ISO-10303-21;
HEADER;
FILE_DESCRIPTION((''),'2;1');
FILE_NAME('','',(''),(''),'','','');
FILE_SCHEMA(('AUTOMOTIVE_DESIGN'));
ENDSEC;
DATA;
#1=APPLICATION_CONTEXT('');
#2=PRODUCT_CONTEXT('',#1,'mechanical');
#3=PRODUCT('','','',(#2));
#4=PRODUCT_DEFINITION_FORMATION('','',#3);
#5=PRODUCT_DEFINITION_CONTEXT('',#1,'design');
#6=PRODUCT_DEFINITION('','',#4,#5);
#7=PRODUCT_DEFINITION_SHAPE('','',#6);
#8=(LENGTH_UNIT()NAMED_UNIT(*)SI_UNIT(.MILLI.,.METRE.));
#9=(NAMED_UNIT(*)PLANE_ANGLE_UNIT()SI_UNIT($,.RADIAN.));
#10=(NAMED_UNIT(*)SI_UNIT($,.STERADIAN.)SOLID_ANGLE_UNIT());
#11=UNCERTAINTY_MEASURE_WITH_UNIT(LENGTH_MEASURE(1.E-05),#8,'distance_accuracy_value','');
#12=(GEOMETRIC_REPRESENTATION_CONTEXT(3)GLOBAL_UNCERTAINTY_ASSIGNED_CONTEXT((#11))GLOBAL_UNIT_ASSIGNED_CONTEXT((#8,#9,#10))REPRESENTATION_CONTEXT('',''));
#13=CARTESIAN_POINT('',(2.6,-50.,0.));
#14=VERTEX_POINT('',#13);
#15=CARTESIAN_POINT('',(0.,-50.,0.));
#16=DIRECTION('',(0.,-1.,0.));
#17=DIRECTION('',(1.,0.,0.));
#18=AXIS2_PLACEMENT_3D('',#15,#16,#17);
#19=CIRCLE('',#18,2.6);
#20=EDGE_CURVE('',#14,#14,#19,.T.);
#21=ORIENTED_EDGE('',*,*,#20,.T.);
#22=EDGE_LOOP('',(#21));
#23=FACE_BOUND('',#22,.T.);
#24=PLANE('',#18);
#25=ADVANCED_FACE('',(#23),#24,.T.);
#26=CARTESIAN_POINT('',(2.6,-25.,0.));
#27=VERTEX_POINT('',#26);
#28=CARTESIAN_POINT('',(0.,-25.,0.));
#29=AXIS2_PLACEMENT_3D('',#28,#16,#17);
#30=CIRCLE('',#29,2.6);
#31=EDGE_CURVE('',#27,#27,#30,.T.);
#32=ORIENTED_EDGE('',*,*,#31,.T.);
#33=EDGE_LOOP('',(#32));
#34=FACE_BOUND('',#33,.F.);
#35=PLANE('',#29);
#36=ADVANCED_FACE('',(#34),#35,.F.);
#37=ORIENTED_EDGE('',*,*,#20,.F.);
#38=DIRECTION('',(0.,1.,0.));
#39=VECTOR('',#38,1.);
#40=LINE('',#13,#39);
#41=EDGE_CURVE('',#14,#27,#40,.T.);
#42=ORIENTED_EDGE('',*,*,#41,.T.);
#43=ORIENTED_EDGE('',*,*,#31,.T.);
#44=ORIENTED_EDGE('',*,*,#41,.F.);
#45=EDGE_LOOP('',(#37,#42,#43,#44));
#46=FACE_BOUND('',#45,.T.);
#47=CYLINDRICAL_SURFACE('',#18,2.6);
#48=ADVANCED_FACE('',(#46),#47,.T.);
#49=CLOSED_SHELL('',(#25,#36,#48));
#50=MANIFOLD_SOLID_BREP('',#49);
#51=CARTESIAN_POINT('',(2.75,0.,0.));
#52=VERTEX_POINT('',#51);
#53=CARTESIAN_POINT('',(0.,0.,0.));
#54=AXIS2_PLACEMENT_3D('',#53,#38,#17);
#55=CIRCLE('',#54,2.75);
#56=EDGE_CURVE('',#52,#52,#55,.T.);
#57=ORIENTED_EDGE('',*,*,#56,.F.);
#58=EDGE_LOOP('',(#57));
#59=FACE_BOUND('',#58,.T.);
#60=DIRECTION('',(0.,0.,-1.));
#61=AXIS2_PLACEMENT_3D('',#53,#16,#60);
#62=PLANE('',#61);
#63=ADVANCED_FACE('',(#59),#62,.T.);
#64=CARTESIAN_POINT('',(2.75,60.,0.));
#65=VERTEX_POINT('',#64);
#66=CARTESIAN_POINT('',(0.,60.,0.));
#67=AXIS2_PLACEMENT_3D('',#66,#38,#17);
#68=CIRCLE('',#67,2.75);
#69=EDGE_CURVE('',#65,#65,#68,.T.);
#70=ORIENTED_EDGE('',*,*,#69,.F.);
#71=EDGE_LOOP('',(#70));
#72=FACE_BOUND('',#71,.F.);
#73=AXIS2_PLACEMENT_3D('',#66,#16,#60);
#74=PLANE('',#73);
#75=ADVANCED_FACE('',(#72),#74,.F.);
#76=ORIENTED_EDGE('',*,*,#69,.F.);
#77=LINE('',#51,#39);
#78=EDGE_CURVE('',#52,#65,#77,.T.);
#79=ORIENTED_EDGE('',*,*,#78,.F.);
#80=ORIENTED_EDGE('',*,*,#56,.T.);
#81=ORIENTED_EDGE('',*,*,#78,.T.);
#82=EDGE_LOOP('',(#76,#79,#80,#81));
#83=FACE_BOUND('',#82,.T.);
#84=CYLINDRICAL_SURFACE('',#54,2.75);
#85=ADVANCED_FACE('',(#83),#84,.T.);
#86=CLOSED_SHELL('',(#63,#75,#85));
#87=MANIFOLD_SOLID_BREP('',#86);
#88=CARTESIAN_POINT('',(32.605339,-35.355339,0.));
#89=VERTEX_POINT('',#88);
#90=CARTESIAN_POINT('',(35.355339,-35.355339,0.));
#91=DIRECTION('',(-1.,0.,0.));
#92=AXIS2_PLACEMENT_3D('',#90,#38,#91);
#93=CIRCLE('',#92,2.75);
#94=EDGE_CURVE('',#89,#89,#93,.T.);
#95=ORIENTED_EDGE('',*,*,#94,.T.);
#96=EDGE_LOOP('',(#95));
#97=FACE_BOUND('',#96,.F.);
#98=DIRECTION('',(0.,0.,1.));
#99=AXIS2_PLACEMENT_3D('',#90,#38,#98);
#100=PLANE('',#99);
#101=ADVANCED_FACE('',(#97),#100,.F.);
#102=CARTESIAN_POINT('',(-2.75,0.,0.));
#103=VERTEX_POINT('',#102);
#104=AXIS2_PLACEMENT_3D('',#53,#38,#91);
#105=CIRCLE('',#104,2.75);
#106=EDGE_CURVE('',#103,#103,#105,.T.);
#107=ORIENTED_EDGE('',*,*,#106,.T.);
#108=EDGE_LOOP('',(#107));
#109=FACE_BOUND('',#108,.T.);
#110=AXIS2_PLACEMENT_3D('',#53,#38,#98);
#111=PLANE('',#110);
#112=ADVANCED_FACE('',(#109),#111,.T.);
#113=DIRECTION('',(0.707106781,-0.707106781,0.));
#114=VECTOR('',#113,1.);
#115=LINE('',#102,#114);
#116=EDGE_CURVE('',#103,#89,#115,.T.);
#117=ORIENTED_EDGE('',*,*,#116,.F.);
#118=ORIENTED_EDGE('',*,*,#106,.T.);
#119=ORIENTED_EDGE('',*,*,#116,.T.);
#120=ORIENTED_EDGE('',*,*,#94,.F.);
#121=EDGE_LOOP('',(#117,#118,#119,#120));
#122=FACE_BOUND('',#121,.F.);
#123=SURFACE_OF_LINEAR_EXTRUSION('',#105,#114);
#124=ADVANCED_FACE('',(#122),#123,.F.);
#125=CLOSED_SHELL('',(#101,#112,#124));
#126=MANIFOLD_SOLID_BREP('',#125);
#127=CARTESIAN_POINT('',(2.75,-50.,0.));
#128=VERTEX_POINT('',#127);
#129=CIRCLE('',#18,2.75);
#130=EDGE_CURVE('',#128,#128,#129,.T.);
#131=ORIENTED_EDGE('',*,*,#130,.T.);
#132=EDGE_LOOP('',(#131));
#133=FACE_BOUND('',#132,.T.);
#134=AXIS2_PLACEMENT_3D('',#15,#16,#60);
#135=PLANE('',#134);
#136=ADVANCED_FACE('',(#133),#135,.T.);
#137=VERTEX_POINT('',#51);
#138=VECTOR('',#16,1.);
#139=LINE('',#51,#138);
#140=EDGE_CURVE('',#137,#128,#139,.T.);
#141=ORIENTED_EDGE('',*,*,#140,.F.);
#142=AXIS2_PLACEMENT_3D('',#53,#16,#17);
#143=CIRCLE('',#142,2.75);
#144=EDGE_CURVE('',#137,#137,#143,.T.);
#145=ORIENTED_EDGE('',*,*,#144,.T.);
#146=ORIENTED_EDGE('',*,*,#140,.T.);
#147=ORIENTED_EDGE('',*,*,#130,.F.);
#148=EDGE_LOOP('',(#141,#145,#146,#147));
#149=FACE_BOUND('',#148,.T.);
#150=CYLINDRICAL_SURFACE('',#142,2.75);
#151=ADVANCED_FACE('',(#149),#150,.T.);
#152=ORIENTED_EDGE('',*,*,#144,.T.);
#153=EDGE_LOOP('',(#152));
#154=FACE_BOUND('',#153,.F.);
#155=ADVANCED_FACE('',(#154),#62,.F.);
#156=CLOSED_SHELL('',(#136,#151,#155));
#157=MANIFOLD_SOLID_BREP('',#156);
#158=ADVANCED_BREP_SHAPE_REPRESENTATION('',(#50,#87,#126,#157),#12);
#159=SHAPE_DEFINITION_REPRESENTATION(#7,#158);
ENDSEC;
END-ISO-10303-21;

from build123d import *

# Parameters (mm, degrees)
F1_R      = 2.75
F2_FACE_R = 2.75
F5_R      = 2.6
F6_DEPTH  = 25


with BuildPart() as f2:
    # F2: sweep along a path in F0
    with BuildLine(Plane.XY) as f2_path:
        Line((0, 0), (0, -50))
    # F1 (on Front) → F2 (sweep)
    with BuildSketch(Plane.XZ):
        Circle(F1_R)
    sweep(path=f2_path.line)


with BuildPart() as f3:
    # F3: sweep along a path in F0
    with BuildLine(Plane.XY) as f3_path:
        Line((0, 0), (35.355339, -35.355339))
    # F2_face (on face) → F3 (sweep)
    with BuildSketch(Plane(origin=(0, 0, 0), x_dir=(-1, 0, 0), z_dir=(0, 1, 0))):
        Circle(F2_FACE_R)
    sweep(path=f3_path.line)


with BuildPart() as f4:
    # F4: sweep along a path in F0
    with BuildLine(Plane.XY) as f4_path:
        Line((0, 0), (0, 60))
    # F1 (on Front) → F4 (sweep)
    with BuildSketch(Plane.XZ):
        Circle(F1_R)
    sweep(path=f4_path.line)


with BuildPart() as f6:
    # F5 (on face) → F6 (new body)
    with BuildSketch(Plane.XZ.offset(50)):
        Circle(F5_R)
    extrude(amount=-F6_DEPTH)


solid = Compound([f2.part, f3.part, f4.part, f6.part])
